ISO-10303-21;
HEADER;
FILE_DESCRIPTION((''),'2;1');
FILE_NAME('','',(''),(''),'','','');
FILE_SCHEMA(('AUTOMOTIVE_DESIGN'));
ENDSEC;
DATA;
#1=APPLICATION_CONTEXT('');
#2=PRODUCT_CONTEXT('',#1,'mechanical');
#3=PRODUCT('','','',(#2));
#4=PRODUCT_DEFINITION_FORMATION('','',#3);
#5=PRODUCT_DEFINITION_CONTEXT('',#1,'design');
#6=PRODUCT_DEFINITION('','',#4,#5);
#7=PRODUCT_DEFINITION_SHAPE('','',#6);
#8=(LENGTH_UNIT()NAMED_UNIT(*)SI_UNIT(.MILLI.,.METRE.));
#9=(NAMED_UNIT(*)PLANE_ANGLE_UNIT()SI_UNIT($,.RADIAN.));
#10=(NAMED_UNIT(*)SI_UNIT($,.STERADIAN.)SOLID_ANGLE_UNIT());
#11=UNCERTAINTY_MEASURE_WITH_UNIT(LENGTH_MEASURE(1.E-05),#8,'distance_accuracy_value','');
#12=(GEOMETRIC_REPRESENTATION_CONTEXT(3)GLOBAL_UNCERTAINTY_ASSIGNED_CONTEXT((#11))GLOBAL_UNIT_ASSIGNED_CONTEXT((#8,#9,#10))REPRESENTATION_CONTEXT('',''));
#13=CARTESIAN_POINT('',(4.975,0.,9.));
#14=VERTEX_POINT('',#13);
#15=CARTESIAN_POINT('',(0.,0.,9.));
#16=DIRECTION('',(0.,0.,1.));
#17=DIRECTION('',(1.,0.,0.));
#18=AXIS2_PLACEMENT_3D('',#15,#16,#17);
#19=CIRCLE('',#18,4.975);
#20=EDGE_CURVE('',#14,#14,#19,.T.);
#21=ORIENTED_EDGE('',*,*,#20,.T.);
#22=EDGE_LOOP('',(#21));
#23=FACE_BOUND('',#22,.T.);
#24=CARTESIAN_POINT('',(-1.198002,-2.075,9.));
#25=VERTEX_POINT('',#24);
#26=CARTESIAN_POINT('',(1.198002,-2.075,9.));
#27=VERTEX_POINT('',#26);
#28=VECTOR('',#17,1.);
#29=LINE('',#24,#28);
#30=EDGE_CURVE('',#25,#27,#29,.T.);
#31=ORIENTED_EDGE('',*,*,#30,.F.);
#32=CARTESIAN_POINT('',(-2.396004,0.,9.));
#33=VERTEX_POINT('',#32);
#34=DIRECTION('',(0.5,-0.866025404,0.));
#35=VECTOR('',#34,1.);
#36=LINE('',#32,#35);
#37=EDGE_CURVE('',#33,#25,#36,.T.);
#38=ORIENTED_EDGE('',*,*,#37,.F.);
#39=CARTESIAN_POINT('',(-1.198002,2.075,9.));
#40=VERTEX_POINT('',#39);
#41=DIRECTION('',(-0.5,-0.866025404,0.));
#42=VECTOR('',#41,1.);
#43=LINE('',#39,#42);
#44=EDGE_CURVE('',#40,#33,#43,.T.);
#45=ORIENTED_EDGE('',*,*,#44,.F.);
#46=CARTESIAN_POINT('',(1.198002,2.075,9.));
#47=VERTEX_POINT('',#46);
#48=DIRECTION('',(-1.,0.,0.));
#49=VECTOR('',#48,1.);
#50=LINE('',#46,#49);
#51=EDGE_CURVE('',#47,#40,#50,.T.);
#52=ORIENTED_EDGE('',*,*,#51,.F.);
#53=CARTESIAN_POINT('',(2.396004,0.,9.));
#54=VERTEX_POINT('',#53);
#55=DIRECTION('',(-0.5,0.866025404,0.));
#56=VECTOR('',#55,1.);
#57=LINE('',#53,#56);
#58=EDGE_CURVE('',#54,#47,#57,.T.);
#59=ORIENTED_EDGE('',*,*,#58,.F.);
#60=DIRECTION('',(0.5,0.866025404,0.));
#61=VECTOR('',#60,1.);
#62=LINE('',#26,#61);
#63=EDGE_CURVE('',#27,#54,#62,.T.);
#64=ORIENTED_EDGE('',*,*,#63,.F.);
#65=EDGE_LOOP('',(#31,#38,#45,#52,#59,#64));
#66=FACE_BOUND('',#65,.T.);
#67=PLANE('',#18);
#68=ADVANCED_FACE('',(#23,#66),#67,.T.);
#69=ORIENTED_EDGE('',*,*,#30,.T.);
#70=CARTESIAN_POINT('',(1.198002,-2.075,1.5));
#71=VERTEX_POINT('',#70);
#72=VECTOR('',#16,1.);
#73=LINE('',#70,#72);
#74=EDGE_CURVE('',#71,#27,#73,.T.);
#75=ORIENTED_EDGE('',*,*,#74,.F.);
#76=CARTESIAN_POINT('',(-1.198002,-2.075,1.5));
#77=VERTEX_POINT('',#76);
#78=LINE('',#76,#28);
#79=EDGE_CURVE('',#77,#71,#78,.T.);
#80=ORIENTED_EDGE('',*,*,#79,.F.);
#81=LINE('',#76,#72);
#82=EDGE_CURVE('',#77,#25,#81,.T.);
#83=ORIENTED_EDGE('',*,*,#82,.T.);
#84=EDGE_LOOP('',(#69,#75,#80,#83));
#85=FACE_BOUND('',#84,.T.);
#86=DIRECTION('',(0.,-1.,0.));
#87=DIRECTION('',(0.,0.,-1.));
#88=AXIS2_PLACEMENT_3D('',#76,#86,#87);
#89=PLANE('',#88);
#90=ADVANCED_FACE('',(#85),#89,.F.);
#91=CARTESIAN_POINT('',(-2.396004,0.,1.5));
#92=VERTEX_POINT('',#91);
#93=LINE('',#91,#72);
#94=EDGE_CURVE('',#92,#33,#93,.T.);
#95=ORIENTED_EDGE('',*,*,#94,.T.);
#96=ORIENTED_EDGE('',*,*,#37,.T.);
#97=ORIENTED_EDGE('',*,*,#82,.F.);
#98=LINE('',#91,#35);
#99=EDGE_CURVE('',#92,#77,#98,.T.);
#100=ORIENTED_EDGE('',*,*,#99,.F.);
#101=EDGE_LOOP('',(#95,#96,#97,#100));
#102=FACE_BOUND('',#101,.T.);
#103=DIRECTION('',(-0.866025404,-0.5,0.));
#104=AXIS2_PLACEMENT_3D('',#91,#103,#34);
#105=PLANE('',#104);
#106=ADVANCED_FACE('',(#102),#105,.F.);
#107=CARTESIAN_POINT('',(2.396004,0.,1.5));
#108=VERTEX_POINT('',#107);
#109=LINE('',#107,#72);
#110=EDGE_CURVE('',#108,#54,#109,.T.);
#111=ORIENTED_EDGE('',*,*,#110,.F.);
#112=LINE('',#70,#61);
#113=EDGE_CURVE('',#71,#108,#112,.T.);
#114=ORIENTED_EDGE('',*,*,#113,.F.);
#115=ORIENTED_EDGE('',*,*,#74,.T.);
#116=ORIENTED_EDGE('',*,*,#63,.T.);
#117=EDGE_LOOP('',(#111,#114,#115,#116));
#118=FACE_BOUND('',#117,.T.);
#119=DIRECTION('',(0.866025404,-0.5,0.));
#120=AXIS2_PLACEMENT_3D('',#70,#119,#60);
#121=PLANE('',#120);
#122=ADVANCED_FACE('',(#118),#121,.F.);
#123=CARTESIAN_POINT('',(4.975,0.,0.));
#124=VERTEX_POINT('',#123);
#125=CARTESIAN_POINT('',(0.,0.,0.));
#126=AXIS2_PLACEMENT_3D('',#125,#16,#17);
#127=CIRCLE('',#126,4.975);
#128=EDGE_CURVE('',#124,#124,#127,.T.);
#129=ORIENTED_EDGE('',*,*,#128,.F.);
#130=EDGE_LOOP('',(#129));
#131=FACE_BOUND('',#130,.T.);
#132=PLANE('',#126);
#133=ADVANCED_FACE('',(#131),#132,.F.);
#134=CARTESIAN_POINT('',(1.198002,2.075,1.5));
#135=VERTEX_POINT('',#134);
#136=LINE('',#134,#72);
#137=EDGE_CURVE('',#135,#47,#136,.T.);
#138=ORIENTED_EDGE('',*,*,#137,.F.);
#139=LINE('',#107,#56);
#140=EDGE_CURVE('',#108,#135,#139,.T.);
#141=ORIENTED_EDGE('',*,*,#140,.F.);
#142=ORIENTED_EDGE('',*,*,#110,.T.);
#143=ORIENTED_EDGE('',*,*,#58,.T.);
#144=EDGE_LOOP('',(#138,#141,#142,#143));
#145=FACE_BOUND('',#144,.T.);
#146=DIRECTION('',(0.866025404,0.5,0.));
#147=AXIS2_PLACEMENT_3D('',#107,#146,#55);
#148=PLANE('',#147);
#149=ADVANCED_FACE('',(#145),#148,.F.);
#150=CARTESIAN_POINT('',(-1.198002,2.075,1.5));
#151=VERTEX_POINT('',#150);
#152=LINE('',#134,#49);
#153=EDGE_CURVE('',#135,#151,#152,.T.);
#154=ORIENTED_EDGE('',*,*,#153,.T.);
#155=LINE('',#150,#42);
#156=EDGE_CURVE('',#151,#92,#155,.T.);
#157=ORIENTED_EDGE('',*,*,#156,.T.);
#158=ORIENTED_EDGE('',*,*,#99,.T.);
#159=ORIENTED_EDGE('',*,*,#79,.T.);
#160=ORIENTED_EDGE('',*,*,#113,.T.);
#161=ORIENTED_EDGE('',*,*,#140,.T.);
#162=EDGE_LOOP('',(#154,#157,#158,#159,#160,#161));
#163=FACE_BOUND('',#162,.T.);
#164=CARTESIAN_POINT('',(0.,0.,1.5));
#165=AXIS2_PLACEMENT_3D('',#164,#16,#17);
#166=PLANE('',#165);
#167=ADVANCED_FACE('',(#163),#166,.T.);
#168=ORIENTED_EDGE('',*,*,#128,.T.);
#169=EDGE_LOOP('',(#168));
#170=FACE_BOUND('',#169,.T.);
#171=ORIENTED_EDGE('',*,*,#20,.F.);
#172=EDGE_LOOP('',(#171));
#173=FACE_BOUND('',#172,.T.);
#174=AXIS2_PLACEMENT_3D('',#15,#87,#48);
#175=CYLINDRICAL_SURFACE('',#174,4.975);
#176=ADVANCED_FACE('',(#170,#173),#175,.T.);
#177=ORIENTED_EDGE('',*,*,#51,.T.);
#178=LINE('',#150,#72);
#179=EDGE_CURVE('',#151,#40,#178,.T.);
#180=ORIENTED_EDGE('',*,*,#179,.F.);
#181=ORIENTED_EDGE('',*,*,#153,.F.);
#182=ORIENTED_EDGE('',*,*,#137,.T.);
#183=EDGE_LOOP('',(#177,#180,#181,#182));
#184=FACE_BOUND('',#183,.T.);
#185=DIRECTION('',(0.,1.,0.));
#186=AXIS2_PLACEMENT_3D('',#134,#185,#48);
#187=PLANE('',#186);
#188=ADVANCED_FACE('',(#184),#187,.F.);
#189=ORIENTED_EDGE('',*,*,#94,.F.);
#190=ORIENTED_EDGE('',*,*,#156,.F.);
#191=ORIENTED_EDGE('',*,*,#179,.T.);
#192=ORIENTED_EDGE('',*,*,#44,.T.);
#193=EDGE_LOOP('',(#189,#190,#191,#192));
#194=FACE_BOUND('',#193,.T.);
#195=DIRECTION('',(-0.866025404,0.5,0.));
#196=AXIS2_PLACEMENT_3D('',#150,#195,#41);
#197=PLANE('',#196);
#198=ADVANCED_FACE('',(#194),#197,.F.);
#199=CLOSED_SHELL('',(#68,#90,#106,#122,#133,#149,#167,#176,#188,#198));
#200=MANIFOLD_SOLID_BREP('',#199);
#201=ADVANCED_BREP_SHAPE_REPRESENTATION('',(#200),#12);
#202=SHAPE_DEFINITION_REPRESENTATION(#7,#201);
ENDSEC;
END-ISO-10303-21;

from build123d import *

# Parameters (mm, degrees)
SKETCH_1_R          = 4.975
EXTRUDE_1_DEPTH     = 9
CUT_EXTRUDE_1_DEPTH = 7.5


with BuildPart() as part:
    # 草图1 → 凸台-拉伸1 (new body)
    with BuildSketch(Plane.XY):
        Circle(SKETCH_1_R)
    extrude(amount=EXTRUDE_1_DEPTH)

    # 草图2 → 切除-拉伸1 (cut)
    with BuildSketch(Plane.XY.offset(9)):
        Polygon((2.396003617, 0), (1.198001809, 2.075), (-1.198001809, 2.075), (-2.396003617, 0), (-1.198001809, -2.075), (1.198001809, -2.075), align=None)
    extrude(amount=-CUT_EXTRUDE_1_DEPTH, mode=Mode.SUBTRACT)


solid = part.part
